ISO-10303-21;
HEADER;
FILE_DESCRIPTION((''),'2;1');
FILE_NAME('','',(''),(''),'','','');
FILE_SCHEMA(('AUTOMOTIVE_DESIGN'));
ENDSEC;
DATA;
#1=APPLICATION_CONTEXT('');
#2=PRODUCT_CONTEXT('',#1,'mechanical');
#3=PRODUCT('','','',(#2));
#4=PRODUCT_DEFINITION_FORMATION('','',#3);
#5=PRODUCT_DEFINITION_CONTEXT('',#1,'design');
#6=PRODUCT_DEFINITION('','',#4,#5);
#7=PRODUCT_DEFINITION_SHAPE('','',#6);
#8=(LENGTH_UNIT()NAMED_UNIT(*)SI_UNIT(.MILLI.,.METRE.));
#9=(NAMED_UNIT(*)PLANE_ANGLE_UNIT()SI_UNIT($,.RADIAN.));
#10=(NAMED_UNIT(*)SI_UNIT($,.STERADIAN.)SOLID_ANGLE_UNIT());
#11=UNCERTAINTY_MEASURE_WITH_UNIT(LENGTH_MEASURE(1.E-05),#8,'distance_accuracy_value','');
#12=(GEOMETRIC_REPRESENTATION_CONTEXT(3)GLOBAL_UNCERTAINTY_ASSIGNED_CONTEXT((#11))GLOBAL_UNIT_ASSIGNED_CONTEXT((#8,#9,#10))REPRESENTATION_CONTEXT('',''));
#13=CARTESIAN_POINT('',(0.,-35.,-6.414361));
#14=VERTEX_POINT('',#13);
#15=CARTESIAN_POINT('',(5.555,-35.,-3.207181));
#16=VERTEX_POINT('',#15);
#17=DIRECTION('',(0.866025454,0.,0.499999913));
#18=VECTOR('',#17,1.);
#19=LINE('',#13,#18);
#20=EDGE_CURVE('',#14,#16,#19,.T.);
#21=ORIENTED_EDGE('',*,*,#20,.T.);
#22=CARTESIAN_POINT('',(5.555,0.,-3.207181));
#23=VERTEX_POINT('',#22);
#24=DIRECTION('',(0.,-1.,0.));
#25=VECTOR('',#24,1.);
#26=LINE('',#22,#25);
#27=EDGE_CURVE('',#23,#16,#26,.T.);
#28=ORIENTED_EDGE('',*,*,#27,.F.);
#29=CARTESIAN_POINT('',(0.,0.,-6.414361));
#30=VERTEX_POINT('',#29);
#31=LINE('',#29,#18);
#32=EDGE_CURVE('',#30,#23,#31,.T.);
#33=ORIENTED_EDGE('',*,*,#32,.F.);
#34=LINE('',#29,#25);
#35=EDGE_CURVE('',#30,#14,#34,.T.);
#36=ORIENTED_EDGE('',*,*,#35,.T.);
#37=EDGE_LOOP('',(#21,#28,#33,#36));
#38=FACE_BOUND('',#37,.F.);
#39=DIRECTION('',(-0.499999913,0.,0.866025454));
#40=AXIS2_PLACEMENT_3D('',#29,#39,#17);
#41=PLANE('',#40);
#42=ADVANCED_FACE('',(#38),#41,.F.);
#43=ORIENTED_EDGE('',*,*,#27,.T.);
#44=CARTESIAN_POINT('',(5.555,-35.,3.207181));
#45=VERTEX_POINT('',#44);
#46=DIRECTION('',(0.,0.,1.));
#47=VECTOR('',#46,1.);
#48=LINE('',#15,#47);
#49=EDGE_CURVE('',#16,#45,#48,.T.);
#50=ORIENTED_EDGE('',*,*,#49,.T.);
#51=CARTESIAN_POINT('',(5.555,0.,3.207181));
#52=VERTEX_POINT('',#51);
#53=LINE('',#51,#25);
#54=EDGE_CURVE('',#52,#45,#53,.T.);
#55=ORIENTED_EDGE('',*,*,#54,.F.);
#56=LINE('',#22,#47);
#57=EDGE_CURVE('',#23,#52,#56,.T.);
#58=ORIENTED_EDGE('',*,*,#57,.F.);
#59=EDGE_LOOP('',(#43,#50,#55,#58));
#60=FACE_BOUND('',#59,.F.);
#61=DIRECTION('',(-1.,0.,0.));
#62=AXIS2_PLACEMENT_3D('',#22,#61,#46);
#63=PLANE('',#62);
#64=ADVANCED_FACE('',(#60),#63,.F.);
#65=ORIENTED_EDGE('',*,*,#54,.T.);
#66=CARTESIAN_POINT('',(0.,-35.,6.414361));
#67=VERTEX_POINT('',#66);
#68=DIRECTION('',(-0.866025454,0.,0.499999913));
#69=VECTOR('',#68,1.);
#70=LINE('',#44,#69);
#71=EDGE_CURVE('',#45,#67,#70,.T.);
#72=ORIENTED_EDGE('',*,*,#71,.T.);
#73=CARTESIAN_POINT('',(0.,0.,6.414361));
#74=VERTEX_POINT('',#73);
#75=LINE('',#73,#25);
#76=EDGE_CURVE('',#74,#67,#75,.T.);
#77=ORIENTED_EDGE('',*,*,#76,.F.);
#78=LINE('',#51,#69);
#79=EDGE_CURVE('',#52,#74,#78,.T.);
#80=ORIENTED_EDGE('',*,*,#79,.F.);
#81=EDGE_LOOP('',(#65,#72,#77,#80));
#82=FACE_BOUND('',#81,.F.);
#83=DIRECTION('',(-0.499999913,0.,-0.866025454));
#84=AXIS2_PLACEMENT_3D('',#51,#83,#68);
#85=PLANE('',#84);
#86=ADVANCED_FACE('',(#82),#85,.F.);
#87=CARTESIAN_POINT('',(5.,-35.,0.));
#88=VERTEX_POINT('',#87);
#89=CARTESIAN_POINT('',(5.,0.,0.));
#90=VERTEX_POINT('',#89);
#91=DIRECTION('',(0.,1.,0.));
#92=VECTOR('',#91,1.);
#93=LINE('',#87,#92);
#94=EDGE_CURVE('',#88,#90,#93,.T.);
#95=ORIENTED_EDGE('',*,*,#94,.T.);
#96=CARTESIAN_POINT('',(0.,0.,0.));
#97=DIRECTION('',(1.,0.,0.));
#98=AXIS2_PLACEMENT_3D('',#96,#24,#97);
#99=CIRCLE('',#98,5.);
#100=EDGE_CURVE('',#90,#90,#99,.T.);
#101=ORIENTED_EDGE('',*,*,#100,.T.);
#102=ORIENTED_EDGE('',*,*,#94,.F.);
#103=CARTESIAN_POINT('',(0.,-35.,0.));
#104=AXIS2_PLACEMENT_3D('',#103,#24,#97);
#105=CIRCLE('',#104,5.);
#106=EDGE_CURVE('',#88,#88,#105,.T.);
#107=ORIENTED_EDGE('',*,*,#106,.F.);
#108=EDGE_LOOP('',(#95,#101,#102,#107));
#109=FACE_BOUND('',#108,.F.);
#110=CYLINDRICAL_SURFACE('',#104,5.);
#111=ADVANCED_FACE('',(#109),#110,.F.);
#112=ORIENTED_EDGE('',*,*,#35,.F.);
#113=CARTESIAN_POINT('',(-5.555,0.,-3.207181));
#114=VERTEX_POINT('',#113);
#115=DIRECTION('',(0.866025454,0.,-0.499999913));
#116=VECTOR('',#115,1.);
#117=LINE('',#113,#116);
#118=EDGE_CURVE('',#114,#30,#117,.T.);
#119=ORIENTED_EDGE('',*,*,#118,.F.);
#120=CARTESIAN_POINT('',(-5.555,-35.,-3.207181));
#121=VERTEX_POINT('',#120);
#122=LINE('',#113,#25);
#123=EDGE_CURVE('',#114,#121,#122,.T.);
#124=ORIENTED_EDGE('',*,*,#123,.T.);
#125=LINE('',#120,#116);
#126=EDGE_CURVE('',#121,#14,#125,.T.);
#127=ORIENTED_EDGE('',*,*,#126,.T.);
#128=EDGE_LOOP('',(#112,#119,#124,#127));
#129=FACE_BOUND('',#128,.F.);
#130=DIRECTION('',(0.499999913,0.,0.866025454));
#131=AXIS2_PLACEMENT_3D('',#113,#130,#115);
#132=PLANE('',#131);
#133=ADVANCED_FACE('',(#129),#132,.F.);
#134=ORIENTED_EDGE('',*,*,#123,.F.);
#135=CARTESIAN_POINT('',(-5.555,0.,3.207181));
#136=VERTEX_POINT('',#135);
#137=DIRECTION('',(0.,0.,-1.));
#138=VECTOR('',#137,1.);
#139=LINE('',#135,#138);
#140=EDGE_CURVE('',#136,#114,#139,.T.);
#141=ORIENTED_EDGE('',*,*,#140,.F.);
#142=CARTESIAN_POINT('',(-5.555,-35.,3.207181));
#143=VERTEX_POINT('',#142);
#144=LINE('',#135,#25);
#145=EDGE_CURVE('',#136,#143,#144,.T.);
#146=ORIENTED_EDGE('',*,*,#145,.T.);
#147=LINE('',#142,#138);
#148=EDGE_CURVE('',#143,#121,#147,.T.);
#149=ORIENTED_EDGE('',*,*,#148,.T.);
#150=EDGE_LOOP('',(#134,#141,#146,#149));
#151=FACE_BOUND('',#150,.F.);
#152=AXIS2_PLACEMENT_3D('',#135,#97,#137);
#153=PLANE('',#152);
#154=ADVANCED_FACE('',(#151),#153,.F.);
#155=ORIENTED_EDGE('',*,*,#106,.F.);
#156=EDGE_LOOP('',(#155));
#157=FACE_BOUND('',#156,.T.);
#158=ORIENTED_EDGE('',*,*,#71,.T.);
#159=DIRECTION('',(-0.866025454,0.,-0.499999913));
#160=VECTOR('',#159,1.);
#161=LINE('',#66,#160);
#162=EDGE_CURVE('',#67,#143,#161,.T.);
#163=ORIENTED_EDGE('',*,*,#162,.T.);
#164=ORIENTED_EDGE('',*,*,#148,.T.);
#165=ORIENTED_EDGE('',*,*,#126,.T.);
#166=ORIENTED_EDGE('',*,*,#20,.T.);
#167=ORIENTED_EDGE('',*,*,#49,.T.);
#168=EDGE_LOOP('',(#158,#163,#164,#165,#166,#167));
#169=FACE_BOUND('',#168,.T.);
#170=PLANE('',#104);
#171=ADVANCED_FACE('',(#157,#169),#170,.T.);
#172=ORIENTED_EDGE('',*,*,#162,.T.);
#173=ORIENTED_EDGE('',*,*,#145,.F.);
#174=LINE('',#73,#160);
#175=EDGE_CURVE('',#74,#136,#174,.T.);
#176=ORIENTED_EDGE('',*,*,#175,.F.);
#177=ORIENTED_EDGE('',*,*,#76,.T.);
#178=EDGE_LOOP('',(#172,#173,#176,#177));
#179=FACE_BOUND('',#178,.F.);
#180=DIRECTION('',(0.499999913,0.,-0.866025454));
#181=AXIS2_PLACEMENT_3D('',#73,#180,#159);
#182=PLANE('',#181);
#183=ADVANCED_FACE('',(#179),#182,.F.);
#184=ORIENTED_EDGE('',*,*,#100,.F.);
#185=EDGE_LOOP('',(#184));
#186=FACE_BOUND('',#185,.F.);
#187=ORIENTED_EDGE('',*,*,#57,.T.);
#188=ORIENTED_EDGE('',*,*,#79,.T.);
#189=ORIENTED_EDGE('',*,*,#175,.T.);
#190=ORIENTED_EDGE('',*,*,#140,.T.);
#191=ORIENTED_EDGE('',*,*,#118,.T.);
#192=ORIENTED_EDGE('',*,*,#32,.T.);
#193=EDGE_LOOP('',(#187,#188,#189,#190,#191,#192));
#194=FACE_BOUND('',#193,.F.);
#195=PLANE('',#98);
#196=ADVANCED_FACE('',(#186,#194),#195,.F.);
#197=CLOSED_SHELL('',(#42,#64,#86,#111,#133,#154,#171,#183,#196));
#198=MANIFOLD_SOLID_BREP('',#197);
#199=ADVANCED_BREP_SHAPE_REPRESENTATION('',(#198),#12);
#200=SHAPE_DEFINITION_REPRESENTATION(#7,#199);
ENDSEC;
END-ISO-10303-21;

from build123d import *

# Parameters (mm, degrees)
F1_DEPTH = 35
F2_R     = 5
F3_DEPTH = 63.8


with BuildPart() as f1:
    # F0 (on Front) → F1 (new body)
    with BuildSketch(Plane.XZ):
        Polygon((5.555, -3.207181), (5.555, 3.207181), (0, 6.414361), (-5.555, 3.207181), (-5.555, -3.207181), (0, -6.414361), align=None)
    extrude(amount=F1_DEPTH)

    # F2 (on face) → F3 (cut)
    with BuildSketch(Plane.XZ.offset(35)):
        Circle(F2_R)
    extrude(amount=-F3_DEPTH, mode=Mode.SUBTRACT)


solid = f1.part
